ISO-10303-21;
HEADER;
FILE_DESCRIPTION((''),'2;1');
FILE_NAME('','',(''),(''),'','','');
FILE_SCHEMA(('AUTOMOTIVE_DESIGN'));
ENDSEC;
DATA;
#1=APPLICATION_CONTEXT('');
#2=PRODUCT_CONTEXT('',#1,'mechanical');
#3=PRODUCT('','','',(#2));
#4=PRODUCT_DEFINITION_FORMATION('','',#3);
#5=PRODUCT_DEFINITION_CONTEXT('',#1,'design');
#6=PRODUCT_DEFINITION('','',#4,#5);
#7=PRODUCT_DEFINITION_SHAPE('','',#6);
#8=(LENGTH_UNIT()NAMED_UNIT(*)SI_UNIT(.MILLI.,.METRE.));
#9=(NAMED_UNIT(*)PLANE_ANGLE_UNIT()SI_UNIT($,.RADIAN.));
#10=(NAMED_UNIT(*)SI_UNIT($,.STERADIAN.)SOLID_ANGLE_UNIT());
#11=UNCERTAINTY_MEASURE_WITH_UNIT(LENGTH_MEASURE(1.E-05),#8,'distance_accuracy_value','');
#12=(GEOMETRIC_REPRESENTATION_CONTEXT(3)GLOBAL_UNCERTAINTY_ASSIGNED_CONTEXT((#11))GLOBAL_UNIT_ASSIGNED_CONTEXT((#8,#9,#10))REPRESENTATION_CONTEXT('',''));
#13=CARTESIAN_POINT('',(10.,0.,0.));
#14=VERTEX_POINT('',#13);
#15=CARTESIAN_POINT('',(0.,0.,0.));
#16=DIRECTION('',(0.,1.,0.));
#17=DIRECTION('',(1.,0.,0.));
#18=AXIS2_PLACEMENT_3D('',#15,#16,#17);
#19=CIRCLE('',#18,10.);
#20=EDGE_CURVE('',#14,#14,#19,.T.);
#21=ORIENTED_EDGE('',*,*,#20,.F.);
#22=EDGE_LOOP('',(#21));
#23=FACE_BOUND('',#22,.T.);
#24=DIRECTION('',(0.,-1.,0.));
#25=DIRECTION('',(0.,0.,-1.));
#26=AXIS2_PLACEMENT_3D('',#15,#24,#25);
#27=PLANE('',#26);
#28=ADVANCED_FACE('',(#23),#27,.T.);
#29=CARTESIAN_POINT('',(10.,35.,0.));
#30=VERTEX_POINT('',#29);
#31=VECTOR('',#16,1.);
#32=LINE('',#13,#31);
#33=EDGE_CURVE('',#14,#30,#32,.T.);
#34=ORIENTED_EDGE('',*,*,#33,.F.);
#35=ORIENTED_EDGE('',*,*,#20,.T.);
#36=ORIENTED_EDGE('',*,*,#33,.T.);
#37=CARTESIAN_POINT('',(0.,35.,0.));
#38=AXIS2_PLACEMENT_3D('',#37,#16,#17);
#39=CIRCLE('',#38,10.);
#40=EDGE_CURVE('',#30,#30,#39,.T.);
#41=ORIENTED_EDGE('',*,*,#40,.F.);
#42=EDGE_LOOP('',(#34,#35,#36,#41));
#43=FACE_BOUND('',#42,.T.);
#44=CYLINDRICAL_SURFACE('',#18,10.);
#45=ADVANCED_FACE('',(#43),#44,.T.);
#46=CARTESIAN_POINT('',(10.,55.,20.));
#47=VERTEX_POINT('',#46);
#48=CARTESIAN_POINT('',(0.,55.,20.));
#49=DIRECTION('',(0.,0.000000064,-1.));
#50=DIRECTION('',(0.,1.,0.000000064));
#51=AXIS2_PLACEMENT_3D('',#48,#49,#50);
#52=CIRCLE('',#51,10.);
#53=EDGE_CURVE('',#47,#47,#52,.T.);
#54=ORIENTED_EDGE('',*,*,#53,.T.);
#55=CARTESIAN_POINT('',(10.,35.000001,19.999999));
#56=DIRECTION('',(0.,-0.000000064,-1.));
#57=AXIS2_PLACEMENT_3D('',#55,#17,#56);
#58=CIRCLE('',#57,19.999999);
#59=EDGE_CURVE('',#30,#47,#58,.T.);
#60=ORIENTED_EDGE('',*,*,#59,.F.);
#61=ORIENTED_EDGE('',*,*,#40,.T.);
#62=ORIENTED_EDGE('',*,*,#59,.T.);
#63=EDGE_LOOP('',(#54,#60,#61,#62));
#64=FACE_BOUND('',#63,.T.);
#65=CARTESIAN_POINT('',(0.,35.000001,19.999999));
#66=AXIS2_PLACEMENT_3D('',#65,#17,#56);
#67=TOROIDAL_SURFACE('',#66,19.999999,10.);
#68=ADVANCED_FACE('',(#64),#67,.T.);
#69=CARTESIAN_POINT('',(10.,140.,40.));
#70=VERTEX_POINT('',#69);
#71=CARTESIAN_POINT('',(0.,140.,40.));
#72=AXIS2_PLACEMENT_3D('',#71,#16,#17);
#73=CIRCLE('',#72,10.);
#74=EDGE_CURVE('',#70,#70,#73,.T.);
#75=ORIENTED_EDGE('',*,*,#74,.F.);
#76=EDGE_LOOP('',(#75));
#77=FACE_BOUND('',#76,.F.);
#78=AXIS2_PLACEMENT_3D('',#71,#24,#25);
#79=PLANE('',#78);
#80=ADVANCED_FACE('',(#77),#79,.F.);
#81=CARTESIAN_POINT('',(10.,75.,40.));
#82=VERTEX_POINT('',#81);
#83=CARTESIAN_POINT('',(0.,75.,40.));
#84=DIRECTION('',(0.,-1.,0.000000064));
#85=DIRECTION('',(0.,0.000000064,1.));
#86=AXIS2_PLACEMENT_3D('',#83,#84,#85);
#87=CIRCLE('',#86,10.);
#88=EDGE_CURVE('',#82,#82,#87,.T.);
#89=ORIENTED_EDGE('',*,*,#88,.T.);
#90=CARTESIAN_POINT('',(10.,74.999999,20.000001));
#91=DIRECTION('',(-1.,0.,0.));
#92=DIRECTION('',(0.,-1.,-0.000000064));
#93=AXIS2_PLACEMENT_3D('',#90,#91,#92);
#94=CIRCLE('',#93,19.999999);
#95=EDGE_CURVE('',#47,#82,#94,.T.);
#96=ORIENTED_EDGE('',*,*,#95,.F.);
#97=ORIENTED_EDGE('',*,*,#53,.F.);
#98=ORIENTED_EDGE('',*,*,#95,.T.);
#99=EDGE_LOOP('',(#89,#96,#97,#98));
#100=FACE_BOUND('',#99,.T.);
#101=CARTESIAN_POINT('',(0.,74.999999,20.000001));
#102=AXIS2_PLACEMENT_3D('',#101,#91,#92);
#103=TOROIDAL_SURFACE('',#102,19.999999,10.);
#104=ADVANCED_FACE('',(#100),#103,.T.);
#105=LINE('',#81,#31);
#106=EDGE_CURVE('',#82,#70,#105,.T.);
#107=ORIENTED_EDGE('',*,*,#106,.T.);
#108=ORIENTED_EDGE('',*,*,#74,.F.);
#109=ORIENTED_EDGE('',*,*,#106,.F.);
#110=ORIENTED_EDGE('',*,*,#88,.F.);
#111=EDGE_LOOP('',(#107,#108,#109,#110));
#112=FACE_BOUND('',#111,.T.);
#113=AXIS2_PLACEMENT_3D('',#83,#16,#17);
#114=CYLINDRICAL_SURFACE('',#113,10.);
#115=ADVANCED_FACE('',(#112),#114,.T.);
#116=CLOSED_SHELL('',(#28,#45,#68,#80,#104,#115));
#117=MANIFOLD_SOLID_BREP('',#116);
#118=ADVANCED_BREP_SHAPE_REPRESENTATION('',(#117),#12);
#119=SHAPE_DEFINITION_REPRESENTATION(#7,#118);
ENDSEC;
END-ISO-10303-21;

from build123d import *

# Parameters (mm, degrees)
F0_R = 10


with BuildPart() as f2:
    # F2: sweep along a path in F1
    with BuildLine(Plane.YZ) as f2_path:
        Line((0, 0), (35, 0))
        ThreePointArc((35, 0), (49.142136, 5.857864), (55, 20))
        ThreePointArc((55, 20), (60.857864, 34.142136), (75, 40))
        Line((75, 40), (140, 40))
    # F0 (on Front) → F2 (sweep)
    with BuildSketch(Plane.XZ):
        Circle(F0_R)
    sweep(path=f2_path.line)


solid = f2.part
